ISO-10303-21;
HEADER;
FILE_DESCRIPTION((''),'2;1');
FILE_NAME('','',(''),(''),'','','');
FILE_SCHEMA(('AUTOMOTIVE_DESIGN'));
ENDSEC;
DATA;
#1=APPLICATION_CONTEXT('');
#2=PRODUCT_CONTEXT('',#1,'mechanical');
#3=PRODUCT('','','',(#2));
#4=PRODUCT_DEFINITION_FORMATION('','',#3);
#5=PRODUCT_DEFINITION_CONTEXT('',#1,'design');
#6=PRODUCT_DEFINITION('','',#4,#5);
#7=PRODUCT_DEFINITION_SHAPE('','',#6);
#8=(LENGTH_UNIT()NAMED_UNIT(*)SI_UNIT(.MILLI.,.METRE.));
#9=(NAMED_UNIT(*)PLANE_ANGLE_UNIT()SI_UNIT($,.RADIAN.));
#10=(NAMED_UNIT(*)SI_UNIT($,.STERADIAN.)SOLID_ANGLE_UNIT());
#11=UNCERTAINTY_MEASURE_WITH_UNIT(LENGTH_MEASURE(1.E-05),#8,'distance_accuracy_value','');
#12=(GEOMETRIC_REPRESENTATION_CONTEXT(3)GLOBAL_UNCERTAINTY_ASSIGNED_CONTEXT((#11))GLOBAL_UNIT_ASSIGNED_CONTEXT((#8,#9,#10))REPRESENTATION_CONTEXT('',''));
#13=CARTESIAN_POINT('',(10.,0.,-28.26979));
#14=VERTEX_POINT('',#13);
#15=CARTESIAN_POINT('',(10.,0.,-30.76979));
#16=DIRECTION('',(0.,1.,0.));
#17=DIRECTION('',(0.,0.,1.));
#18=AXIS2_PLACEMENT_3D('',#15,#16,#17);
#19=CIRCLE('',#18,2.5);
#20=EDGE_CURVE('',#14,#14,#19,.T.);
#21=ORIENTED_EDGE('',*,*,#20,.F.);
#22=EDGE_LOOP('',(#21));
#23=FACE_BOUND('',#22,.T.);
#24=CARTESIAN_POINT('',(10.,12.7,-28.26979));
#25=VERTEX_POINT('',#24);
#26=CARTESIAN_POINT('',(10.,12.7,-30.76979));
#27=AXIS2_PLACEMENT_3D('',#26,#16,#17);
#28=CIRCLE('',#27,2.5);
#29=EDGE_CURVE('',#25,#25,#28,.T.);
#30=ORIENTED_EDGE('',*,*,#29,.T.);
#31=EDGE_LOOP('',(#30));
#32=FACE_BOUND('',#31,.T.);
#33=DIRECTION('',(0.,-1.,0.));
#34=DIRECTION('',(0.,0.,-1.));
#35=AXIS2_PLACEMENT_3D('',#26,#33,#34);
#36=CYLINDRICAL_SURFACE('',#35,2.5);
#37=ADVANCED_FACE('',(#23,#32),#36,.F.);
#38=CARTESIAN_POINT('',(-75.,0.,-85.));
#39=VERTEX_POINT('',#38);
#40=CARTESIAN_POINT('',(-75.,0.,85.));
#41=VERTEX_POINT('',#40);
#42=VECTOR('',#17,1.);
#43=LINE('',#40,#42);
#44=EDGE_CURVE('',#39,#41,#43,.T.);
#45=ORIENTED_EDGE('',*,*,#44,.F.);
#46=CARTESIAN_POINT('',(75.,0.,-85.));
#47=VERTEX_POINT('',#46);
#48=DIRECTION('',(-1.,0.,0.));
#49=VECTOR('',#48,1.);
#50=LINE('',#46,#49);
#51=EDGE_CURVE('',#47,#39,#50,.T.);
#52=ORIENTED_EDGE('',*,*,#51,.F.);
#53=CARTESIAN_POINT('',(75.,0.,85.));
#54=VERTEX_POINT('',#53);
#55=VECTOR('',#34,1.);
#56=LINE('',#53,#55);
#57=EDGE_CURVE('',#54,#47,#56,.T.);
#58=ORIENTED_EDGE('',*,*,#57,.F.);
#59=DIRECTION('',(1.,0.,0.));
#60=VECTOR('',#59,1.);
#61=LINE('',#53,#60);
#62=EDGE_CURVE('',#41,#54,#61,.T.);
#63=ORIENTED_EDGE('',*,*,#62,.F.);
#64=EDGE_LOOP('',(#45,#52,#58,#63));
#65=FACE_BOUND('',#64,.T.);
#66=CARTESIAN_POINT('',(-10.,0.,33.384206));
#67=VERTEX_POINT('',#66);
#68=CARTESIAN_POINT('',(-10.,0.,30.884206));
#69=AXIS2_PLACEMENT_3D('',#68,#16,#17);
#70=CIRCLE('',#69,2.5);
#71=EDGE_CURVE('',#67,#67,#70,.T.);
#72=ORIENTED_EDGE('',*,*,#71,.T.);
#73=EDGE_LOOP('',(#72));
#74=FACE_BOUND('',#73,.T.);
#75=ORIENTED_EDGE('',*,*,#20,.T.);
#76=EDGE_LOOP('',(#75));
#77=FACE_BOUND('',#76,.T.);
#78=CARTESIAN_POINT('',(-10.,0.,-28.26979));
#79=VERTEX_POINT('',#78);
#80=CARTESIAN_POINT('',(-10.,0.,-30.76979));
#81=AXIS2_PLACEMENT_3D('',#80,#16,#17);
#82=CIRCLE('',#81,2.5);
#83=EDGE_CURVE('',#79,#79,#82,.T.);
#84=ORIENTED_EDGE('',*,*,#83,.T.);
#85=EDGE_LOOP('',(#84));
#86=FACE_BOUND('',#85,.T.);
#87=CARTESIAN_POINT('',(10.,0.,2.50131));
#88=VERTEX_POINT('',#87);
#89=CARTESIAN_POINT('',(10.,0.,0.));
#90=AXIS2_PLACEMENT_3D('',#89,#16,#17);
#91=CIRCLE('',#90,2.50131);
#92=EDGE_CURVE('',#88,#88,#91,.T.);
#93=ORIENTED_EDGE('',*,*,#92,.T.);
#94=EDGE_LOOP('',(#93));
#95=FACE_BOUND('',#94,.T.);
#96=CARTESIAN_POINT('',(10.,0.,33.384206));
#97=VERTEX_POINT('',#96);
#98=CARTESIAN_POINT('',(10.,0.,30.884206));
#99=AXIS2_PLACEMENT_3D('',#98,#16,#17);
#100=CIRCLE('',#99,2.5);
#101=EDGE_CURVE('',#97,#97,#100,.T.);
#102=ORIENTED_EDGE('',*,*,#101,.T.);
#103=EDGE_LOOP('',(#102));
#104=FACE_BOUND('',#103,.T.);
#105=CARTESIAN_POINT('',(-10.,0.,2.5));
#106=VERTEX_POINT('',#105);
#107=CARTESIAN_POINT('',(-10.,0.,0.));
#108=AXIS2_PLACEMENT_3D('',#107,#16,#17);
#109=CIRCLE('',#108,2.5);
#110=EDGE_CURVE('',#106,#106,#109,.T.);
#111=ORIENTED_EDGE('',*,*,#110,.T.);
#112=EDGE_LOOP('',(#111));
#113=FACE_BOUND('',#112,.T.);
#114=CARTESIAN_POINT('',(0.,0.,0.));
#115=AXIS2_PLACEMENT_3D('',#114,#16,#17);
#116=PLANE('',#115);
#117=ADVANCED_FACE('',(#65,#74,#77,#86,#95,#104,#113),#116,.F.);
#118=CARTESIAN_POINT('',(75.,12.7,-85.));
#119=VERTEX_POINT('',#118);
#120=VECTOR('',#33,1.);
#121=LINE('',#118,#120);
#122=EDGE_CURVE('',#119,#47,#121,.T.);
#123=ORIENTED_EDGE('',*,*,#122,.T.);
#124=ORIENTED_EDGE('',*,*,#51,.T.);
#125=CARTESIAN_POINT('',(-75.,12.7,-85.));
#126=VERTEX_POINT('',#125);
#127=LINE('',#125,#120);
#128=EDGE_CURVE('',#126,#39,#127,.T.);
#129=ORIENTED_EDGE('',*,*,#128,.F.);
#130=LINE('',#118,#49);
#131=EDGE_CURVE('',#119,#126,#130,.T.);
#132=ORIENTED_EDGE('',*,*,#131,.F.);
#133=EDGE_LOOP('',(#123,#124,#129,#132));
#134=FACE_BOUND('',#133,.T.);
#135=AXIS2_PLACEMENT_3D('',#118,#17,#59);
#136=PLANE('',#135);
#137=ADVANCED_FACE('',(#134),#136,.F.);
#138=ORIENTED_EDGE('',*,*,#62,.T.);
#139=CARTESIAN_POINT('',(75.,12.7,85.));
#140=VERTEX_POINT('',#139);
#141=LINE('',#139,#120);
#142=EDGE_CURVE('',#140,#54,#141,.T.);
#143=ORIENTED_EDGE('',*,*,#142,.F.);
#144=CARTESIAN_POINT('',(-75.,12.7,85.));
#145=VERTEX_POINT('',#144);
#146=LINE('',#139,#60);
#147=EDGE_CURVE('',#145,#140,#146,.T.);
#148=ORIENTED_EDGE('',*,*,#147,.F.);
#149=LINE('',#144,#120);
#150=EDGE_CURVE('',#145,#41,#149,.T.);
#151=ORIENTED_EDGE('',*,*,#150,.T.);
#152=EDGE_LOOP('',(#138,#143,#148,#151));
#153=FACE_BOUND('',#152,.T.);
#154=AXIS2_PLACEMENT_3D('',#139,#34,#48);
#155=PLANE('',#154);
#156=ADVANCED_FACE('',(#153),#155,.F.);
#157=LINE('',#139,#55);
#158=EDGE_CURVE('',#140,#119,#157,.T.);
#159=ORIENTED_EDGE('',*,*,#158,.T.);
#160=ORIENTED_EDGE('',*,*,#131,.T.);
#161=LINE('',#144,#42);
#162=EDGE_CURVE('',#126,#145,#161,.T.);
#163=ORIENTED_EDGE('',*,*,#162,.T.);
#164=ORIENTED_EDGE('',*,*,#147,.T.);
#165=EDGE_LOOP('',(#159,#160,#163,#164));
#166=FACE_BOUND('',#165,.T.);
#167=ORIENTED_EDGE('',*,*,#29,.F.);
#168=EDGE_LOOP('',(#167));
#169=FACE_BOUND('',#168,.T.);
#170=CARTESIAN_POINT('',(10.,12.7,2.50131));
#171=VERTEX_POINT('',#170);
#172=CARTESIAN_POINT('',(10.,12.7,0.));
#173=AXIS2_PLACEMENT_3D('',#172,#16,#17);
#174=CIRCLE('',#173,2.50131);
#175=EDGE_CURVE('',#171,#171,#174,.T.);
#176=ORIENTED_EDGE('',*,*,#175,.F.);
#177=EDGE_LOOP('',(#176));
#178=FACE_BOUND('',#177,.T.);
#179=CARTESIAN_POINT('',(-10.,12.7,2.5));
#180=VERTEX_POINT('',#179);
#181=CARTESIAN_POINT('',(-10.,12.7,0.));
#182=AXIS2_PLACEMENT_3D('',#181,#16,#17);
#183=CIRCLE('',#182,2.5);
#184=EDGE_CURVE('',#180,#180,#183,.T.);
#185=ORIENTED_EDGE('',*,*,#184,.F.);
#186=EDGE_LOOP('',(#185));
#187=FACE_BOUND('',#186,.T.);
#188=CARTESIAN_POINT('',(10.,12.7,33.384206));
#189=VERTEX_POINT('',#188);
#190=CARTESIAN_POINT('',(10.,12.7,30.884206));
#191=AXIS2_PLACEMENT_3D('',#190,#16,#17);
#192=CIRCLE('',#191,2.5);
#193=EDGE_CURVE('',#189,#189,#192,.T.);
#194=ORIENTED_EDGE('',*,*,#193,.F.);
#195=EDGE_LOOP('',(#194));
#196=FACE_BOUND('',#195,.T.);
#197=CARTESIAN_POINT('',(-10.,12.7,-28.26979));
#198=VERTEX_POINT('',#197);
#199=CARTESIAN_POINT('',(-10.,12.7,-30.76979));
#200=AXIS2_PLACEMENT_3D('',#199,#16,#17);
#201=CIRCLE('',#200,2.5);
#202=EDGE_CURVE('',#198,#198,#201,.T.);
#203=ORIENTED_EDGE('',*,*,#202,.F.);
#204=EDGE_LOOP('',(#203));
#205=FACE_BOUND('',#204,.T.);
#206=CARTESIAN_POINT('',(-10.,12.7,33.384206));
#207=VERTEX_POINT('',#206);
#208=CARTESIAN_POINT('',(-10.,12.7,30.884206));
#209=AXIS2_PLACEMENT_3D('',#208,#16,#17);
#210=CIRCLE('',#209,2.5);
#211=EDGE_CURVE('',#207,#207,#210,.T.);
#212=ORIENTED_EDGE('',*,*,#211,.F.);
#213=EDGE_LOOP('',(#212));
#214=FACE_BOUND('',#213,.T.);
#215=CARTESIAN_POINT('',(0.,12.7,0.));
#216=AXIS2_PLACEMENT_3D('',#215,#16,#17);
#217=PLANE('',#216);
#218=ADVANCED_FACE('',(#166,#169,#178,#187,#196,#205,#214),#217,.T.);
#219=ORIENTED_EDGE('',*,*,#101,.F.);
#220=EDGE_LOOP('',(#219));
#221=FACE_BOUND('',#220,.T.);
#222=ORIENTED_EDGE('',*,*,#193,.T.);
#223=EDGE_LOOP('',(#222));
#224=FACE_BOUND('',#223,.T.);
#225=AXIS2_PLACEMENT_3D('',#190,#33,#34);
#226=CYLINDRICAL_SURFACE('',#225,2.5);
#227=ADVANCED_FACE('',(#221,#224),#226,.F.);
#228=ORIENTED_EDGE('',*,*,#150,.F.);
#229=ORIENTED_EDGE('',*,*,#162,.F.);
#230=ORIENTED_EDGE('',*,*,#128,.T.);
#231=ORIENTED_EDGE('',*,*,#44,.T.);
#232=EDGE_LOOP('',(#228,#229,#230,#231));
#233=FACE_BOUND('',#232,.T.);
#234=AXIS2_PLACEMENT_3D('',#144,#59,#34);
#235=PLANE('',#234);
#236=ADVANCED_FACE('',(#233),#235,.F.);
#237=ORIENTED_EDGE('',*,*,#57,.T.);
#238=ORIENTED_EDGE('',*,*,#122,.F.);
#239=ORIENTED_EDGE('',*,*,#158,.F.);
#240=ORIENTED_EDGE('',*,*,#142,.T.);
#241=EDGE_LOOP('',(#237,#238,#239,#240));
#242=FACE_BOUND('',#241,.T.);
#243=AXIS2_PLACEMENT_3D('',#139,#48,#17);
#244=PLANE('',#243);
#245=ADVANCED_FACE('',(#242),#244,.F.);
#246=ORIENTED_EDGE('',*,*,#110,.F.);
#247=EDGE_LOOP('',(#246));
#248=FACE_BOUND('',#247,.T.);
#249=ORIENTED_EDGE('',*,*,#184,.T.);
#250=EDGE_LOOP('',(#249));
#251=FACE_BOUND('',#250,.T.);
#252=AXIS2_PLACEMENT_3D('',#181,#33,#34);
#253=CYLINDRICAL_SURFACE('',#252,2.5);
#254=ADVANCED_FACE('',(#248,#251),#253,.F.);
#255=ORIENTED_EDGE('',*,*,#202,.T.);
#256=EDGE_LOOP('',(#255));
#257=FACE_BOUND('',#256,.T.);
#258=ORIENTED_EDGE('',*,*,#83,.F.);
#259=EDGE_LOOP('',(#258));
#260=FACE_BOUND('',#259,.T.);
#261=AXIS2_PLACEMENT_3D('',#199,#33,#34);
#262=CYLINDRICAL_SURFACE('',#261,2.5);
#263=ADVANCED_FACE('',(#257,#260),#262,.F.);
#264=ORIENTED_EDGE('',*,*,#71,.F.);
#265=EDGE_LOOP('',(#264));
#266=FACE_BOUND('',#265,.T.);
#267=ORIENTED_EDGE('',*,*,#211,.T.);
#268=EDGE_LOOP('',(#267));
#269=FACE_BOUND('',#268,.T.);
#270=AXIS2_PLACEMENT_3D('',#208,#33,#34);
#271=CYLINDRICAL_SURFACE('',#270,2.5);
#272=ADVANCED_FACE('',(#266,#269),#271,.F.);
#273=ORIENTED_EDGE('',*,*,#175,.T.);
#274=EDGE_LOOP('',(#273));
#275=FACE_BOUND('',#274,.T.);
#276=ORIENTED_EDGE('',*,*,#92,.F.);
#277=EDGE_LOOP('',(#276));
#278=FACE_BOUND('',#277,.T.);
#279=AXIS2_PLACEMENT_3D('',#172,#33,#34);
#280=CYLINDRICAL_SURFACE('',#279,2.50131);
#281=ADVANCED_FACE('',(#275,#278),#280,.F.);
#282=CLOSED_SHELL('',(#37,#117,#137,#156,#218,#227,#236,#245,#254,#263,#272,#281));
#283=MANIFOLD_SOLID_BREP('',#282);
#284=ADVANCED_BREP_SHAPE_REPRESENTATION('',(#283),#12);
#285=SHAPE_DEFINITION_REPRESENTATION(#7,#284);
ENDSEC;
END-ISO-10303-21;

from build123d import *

# Parameters (mm, degrees)
CROQUIS1_W              = 150
CROQUIS1_H              = 170
CROQUIS1_R              = 2.501310034
CROQUIS1_R_2            = 2.5
SALIENTE_EXTRUIR1_DEPTH = 12.7


with BuildPart() as part:
    # Croquis1 → Saliente-Extruir1 (new body)
    with BuildSketch(Plane(origin=(0, 0, 0), x_dir=(1, 0, 0), z_dir=(0, 1, 0))):
        Rectangle(CROQUIS1_W, CROQUIS1_H)
        with Locations(Location((10, 0, 0), (0, 0, 270))):
            Circle(CROQUIS1_R, mode=Mode.SUBTRACT)
        with Locations(Location((-10, 0, 0), (0, 0, 270))):
            Circle(CROQUIS1_R_2, mode=Mode.SUBTRACT)
        with Locations(Location((10, 30.76978977, 0), (0, 0, 270))):
            Circle(CROQUIS1_R_2, mode=Mode.SUBTRACT)
        with Locations(Location((-10, 30.76978977, 0), (0, 0, 270))):
            Circle(CROQUIS1_R_2, mode=Mode.SUBTRACT)
        with Locations(Location((10, -30.884205668, 0), (0, 0, 270))):
            Circle(CROQUIS1_R_2, mode=Mode.SUBTRACT)
        with Locations(Location((-10, -30.884205668, 0), (0, 0, 270))):
            Circle(CROQUIS1_R_2, mode=Mode.SUBTRACT)
    extrude(amount=SALIENTE_EXTRUIR1_DEPTH)


solid = part.part
